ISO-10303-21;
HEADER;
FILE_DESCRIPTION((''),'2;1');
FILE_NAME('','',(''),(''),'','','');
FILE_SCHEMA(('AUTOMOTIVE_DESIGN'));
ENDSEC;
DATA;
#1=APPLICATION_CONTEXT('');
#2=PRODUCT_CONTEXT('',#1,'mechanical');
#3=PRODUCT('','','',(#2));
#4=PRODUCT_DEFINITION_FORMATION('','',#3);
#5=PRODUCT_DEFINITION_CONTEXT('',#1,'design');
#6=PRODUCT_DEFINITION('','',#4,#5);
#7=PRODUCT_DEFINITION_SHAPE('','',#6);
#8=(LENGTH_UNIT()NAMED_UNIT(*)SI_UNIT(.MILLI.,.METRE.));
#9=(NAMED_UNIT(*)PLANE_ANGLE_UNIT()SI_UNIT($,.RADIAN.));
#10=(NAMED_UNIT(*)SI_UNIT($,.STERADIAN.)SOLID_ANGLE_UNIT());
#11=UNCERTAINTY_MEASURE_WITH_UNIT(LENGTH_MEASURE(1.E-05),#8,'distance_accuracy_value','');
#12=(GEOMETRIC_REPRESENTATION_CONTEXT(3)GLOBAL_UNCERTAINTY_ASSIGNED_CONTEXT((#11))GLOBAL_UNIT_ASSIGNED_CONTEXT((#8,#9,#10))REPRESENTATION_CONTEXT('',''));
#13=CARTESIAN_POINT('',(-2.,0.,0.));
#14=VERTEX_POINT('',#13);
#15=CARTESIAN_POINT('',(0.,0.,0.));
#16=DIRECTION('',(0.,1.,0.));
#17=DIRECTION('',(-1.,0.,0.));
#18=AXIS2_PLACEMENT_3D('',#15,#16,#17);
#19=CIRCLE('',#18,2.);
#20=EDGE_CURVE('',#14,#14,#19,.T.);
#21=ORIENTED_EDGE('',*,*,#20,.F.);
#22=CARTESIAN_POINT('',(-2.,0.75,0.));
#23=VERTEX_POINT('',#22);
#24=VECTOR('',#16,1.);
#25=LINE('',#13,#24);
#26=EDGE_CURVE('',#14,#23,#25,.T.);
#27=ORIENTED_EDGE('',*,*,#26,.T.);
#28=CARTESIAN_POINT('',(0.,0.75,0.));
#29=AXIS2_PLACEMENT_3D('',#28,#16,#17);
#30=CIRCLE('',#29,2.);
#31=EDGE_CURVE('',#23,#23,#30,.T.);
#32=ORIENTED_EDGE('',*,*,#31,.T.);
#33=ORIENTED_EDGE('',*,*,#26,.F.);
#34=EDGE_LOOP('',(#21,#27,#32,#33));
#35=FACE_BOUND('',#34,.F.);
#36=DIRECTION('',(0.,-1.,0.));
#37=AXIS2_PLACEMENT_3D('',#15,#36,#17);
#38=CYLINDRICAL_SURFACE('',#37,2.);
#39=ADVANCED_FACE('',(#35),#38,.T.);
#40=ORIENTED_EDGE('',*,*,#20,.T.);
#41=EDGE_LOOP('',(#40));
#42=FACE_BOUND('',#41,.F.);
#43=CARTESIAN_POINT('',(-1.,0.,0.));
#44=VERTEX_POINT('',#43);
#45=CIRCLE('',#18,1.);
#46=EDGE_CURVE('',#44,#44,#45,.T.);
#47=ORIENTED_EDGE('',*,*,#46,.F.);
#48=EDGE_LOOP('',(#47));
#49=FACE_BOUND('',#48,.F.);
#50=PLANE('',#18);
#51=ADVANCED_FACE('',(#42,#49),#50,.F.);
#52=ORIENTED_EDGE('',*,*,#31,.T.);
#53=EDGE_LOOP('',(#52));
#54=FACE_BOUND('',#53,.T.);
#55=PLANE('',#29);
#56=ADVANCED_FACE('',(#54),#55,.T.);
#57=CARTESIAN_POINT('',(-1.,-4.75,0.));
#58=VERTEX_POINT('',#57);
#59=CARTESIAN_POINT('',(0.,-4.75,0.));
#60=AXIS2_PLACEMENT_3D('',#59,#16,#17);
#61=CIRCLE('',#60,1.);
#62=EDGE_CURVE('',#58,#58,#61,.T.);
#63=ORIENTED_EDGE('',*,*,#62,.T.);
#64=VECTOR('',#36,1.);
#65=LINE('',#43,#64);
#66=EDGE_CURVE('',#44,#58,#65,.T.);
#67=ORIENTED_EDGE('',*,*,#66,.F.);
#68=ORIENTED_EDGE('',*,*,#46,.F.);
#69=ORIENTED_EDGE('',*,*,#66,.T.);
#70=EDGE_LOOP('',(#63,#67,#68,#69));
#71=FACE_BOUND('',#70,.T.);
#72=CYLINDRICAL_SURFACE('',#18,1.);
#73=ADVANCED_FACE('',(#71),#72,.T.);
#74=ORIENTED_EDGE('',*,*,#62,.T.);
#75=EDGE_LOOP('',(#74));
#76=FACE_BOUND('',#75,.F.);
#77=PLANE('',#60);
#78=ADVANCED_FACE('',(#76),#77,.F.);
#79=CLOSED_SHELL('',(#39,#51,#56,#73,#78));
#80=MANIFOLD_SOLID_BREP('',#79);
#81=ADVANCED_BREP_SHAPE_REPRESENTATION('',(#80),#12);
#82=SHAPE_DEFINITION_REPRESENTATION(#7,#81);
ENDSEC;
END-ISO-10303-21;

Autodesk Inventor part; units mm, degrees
ref_plane "YZ Plane" through (0, 0, 0) normal (1, 0, 0) x (0, 1, 0)
ref_plane "XZ Plane" through (0, 0, 0) normal (0, 1, 0) x (-1, 0, 0)
ref_plane "XY Plane" through (0, 0, 0) normal (0, 0, 1) x (1, 0, 0)
sketch "Sketch1" plane through (0, 0, 0) normal (0, 1, 0) x (-1, 0, 0)
  circle A0 centre (0, 0) radius 2
  circle A1 centre (0, 0) radius 1
  dimension "d0" = 4
  dimension "d1" = 2
extrude "Extrusion1" add sketch "Sketch1" along normal blind 0.75 contours A0 | A1
extrude "Extrusion2" add sketch "Sketch1" against normal blind 4.75 contours A1
properties part number "t2"
